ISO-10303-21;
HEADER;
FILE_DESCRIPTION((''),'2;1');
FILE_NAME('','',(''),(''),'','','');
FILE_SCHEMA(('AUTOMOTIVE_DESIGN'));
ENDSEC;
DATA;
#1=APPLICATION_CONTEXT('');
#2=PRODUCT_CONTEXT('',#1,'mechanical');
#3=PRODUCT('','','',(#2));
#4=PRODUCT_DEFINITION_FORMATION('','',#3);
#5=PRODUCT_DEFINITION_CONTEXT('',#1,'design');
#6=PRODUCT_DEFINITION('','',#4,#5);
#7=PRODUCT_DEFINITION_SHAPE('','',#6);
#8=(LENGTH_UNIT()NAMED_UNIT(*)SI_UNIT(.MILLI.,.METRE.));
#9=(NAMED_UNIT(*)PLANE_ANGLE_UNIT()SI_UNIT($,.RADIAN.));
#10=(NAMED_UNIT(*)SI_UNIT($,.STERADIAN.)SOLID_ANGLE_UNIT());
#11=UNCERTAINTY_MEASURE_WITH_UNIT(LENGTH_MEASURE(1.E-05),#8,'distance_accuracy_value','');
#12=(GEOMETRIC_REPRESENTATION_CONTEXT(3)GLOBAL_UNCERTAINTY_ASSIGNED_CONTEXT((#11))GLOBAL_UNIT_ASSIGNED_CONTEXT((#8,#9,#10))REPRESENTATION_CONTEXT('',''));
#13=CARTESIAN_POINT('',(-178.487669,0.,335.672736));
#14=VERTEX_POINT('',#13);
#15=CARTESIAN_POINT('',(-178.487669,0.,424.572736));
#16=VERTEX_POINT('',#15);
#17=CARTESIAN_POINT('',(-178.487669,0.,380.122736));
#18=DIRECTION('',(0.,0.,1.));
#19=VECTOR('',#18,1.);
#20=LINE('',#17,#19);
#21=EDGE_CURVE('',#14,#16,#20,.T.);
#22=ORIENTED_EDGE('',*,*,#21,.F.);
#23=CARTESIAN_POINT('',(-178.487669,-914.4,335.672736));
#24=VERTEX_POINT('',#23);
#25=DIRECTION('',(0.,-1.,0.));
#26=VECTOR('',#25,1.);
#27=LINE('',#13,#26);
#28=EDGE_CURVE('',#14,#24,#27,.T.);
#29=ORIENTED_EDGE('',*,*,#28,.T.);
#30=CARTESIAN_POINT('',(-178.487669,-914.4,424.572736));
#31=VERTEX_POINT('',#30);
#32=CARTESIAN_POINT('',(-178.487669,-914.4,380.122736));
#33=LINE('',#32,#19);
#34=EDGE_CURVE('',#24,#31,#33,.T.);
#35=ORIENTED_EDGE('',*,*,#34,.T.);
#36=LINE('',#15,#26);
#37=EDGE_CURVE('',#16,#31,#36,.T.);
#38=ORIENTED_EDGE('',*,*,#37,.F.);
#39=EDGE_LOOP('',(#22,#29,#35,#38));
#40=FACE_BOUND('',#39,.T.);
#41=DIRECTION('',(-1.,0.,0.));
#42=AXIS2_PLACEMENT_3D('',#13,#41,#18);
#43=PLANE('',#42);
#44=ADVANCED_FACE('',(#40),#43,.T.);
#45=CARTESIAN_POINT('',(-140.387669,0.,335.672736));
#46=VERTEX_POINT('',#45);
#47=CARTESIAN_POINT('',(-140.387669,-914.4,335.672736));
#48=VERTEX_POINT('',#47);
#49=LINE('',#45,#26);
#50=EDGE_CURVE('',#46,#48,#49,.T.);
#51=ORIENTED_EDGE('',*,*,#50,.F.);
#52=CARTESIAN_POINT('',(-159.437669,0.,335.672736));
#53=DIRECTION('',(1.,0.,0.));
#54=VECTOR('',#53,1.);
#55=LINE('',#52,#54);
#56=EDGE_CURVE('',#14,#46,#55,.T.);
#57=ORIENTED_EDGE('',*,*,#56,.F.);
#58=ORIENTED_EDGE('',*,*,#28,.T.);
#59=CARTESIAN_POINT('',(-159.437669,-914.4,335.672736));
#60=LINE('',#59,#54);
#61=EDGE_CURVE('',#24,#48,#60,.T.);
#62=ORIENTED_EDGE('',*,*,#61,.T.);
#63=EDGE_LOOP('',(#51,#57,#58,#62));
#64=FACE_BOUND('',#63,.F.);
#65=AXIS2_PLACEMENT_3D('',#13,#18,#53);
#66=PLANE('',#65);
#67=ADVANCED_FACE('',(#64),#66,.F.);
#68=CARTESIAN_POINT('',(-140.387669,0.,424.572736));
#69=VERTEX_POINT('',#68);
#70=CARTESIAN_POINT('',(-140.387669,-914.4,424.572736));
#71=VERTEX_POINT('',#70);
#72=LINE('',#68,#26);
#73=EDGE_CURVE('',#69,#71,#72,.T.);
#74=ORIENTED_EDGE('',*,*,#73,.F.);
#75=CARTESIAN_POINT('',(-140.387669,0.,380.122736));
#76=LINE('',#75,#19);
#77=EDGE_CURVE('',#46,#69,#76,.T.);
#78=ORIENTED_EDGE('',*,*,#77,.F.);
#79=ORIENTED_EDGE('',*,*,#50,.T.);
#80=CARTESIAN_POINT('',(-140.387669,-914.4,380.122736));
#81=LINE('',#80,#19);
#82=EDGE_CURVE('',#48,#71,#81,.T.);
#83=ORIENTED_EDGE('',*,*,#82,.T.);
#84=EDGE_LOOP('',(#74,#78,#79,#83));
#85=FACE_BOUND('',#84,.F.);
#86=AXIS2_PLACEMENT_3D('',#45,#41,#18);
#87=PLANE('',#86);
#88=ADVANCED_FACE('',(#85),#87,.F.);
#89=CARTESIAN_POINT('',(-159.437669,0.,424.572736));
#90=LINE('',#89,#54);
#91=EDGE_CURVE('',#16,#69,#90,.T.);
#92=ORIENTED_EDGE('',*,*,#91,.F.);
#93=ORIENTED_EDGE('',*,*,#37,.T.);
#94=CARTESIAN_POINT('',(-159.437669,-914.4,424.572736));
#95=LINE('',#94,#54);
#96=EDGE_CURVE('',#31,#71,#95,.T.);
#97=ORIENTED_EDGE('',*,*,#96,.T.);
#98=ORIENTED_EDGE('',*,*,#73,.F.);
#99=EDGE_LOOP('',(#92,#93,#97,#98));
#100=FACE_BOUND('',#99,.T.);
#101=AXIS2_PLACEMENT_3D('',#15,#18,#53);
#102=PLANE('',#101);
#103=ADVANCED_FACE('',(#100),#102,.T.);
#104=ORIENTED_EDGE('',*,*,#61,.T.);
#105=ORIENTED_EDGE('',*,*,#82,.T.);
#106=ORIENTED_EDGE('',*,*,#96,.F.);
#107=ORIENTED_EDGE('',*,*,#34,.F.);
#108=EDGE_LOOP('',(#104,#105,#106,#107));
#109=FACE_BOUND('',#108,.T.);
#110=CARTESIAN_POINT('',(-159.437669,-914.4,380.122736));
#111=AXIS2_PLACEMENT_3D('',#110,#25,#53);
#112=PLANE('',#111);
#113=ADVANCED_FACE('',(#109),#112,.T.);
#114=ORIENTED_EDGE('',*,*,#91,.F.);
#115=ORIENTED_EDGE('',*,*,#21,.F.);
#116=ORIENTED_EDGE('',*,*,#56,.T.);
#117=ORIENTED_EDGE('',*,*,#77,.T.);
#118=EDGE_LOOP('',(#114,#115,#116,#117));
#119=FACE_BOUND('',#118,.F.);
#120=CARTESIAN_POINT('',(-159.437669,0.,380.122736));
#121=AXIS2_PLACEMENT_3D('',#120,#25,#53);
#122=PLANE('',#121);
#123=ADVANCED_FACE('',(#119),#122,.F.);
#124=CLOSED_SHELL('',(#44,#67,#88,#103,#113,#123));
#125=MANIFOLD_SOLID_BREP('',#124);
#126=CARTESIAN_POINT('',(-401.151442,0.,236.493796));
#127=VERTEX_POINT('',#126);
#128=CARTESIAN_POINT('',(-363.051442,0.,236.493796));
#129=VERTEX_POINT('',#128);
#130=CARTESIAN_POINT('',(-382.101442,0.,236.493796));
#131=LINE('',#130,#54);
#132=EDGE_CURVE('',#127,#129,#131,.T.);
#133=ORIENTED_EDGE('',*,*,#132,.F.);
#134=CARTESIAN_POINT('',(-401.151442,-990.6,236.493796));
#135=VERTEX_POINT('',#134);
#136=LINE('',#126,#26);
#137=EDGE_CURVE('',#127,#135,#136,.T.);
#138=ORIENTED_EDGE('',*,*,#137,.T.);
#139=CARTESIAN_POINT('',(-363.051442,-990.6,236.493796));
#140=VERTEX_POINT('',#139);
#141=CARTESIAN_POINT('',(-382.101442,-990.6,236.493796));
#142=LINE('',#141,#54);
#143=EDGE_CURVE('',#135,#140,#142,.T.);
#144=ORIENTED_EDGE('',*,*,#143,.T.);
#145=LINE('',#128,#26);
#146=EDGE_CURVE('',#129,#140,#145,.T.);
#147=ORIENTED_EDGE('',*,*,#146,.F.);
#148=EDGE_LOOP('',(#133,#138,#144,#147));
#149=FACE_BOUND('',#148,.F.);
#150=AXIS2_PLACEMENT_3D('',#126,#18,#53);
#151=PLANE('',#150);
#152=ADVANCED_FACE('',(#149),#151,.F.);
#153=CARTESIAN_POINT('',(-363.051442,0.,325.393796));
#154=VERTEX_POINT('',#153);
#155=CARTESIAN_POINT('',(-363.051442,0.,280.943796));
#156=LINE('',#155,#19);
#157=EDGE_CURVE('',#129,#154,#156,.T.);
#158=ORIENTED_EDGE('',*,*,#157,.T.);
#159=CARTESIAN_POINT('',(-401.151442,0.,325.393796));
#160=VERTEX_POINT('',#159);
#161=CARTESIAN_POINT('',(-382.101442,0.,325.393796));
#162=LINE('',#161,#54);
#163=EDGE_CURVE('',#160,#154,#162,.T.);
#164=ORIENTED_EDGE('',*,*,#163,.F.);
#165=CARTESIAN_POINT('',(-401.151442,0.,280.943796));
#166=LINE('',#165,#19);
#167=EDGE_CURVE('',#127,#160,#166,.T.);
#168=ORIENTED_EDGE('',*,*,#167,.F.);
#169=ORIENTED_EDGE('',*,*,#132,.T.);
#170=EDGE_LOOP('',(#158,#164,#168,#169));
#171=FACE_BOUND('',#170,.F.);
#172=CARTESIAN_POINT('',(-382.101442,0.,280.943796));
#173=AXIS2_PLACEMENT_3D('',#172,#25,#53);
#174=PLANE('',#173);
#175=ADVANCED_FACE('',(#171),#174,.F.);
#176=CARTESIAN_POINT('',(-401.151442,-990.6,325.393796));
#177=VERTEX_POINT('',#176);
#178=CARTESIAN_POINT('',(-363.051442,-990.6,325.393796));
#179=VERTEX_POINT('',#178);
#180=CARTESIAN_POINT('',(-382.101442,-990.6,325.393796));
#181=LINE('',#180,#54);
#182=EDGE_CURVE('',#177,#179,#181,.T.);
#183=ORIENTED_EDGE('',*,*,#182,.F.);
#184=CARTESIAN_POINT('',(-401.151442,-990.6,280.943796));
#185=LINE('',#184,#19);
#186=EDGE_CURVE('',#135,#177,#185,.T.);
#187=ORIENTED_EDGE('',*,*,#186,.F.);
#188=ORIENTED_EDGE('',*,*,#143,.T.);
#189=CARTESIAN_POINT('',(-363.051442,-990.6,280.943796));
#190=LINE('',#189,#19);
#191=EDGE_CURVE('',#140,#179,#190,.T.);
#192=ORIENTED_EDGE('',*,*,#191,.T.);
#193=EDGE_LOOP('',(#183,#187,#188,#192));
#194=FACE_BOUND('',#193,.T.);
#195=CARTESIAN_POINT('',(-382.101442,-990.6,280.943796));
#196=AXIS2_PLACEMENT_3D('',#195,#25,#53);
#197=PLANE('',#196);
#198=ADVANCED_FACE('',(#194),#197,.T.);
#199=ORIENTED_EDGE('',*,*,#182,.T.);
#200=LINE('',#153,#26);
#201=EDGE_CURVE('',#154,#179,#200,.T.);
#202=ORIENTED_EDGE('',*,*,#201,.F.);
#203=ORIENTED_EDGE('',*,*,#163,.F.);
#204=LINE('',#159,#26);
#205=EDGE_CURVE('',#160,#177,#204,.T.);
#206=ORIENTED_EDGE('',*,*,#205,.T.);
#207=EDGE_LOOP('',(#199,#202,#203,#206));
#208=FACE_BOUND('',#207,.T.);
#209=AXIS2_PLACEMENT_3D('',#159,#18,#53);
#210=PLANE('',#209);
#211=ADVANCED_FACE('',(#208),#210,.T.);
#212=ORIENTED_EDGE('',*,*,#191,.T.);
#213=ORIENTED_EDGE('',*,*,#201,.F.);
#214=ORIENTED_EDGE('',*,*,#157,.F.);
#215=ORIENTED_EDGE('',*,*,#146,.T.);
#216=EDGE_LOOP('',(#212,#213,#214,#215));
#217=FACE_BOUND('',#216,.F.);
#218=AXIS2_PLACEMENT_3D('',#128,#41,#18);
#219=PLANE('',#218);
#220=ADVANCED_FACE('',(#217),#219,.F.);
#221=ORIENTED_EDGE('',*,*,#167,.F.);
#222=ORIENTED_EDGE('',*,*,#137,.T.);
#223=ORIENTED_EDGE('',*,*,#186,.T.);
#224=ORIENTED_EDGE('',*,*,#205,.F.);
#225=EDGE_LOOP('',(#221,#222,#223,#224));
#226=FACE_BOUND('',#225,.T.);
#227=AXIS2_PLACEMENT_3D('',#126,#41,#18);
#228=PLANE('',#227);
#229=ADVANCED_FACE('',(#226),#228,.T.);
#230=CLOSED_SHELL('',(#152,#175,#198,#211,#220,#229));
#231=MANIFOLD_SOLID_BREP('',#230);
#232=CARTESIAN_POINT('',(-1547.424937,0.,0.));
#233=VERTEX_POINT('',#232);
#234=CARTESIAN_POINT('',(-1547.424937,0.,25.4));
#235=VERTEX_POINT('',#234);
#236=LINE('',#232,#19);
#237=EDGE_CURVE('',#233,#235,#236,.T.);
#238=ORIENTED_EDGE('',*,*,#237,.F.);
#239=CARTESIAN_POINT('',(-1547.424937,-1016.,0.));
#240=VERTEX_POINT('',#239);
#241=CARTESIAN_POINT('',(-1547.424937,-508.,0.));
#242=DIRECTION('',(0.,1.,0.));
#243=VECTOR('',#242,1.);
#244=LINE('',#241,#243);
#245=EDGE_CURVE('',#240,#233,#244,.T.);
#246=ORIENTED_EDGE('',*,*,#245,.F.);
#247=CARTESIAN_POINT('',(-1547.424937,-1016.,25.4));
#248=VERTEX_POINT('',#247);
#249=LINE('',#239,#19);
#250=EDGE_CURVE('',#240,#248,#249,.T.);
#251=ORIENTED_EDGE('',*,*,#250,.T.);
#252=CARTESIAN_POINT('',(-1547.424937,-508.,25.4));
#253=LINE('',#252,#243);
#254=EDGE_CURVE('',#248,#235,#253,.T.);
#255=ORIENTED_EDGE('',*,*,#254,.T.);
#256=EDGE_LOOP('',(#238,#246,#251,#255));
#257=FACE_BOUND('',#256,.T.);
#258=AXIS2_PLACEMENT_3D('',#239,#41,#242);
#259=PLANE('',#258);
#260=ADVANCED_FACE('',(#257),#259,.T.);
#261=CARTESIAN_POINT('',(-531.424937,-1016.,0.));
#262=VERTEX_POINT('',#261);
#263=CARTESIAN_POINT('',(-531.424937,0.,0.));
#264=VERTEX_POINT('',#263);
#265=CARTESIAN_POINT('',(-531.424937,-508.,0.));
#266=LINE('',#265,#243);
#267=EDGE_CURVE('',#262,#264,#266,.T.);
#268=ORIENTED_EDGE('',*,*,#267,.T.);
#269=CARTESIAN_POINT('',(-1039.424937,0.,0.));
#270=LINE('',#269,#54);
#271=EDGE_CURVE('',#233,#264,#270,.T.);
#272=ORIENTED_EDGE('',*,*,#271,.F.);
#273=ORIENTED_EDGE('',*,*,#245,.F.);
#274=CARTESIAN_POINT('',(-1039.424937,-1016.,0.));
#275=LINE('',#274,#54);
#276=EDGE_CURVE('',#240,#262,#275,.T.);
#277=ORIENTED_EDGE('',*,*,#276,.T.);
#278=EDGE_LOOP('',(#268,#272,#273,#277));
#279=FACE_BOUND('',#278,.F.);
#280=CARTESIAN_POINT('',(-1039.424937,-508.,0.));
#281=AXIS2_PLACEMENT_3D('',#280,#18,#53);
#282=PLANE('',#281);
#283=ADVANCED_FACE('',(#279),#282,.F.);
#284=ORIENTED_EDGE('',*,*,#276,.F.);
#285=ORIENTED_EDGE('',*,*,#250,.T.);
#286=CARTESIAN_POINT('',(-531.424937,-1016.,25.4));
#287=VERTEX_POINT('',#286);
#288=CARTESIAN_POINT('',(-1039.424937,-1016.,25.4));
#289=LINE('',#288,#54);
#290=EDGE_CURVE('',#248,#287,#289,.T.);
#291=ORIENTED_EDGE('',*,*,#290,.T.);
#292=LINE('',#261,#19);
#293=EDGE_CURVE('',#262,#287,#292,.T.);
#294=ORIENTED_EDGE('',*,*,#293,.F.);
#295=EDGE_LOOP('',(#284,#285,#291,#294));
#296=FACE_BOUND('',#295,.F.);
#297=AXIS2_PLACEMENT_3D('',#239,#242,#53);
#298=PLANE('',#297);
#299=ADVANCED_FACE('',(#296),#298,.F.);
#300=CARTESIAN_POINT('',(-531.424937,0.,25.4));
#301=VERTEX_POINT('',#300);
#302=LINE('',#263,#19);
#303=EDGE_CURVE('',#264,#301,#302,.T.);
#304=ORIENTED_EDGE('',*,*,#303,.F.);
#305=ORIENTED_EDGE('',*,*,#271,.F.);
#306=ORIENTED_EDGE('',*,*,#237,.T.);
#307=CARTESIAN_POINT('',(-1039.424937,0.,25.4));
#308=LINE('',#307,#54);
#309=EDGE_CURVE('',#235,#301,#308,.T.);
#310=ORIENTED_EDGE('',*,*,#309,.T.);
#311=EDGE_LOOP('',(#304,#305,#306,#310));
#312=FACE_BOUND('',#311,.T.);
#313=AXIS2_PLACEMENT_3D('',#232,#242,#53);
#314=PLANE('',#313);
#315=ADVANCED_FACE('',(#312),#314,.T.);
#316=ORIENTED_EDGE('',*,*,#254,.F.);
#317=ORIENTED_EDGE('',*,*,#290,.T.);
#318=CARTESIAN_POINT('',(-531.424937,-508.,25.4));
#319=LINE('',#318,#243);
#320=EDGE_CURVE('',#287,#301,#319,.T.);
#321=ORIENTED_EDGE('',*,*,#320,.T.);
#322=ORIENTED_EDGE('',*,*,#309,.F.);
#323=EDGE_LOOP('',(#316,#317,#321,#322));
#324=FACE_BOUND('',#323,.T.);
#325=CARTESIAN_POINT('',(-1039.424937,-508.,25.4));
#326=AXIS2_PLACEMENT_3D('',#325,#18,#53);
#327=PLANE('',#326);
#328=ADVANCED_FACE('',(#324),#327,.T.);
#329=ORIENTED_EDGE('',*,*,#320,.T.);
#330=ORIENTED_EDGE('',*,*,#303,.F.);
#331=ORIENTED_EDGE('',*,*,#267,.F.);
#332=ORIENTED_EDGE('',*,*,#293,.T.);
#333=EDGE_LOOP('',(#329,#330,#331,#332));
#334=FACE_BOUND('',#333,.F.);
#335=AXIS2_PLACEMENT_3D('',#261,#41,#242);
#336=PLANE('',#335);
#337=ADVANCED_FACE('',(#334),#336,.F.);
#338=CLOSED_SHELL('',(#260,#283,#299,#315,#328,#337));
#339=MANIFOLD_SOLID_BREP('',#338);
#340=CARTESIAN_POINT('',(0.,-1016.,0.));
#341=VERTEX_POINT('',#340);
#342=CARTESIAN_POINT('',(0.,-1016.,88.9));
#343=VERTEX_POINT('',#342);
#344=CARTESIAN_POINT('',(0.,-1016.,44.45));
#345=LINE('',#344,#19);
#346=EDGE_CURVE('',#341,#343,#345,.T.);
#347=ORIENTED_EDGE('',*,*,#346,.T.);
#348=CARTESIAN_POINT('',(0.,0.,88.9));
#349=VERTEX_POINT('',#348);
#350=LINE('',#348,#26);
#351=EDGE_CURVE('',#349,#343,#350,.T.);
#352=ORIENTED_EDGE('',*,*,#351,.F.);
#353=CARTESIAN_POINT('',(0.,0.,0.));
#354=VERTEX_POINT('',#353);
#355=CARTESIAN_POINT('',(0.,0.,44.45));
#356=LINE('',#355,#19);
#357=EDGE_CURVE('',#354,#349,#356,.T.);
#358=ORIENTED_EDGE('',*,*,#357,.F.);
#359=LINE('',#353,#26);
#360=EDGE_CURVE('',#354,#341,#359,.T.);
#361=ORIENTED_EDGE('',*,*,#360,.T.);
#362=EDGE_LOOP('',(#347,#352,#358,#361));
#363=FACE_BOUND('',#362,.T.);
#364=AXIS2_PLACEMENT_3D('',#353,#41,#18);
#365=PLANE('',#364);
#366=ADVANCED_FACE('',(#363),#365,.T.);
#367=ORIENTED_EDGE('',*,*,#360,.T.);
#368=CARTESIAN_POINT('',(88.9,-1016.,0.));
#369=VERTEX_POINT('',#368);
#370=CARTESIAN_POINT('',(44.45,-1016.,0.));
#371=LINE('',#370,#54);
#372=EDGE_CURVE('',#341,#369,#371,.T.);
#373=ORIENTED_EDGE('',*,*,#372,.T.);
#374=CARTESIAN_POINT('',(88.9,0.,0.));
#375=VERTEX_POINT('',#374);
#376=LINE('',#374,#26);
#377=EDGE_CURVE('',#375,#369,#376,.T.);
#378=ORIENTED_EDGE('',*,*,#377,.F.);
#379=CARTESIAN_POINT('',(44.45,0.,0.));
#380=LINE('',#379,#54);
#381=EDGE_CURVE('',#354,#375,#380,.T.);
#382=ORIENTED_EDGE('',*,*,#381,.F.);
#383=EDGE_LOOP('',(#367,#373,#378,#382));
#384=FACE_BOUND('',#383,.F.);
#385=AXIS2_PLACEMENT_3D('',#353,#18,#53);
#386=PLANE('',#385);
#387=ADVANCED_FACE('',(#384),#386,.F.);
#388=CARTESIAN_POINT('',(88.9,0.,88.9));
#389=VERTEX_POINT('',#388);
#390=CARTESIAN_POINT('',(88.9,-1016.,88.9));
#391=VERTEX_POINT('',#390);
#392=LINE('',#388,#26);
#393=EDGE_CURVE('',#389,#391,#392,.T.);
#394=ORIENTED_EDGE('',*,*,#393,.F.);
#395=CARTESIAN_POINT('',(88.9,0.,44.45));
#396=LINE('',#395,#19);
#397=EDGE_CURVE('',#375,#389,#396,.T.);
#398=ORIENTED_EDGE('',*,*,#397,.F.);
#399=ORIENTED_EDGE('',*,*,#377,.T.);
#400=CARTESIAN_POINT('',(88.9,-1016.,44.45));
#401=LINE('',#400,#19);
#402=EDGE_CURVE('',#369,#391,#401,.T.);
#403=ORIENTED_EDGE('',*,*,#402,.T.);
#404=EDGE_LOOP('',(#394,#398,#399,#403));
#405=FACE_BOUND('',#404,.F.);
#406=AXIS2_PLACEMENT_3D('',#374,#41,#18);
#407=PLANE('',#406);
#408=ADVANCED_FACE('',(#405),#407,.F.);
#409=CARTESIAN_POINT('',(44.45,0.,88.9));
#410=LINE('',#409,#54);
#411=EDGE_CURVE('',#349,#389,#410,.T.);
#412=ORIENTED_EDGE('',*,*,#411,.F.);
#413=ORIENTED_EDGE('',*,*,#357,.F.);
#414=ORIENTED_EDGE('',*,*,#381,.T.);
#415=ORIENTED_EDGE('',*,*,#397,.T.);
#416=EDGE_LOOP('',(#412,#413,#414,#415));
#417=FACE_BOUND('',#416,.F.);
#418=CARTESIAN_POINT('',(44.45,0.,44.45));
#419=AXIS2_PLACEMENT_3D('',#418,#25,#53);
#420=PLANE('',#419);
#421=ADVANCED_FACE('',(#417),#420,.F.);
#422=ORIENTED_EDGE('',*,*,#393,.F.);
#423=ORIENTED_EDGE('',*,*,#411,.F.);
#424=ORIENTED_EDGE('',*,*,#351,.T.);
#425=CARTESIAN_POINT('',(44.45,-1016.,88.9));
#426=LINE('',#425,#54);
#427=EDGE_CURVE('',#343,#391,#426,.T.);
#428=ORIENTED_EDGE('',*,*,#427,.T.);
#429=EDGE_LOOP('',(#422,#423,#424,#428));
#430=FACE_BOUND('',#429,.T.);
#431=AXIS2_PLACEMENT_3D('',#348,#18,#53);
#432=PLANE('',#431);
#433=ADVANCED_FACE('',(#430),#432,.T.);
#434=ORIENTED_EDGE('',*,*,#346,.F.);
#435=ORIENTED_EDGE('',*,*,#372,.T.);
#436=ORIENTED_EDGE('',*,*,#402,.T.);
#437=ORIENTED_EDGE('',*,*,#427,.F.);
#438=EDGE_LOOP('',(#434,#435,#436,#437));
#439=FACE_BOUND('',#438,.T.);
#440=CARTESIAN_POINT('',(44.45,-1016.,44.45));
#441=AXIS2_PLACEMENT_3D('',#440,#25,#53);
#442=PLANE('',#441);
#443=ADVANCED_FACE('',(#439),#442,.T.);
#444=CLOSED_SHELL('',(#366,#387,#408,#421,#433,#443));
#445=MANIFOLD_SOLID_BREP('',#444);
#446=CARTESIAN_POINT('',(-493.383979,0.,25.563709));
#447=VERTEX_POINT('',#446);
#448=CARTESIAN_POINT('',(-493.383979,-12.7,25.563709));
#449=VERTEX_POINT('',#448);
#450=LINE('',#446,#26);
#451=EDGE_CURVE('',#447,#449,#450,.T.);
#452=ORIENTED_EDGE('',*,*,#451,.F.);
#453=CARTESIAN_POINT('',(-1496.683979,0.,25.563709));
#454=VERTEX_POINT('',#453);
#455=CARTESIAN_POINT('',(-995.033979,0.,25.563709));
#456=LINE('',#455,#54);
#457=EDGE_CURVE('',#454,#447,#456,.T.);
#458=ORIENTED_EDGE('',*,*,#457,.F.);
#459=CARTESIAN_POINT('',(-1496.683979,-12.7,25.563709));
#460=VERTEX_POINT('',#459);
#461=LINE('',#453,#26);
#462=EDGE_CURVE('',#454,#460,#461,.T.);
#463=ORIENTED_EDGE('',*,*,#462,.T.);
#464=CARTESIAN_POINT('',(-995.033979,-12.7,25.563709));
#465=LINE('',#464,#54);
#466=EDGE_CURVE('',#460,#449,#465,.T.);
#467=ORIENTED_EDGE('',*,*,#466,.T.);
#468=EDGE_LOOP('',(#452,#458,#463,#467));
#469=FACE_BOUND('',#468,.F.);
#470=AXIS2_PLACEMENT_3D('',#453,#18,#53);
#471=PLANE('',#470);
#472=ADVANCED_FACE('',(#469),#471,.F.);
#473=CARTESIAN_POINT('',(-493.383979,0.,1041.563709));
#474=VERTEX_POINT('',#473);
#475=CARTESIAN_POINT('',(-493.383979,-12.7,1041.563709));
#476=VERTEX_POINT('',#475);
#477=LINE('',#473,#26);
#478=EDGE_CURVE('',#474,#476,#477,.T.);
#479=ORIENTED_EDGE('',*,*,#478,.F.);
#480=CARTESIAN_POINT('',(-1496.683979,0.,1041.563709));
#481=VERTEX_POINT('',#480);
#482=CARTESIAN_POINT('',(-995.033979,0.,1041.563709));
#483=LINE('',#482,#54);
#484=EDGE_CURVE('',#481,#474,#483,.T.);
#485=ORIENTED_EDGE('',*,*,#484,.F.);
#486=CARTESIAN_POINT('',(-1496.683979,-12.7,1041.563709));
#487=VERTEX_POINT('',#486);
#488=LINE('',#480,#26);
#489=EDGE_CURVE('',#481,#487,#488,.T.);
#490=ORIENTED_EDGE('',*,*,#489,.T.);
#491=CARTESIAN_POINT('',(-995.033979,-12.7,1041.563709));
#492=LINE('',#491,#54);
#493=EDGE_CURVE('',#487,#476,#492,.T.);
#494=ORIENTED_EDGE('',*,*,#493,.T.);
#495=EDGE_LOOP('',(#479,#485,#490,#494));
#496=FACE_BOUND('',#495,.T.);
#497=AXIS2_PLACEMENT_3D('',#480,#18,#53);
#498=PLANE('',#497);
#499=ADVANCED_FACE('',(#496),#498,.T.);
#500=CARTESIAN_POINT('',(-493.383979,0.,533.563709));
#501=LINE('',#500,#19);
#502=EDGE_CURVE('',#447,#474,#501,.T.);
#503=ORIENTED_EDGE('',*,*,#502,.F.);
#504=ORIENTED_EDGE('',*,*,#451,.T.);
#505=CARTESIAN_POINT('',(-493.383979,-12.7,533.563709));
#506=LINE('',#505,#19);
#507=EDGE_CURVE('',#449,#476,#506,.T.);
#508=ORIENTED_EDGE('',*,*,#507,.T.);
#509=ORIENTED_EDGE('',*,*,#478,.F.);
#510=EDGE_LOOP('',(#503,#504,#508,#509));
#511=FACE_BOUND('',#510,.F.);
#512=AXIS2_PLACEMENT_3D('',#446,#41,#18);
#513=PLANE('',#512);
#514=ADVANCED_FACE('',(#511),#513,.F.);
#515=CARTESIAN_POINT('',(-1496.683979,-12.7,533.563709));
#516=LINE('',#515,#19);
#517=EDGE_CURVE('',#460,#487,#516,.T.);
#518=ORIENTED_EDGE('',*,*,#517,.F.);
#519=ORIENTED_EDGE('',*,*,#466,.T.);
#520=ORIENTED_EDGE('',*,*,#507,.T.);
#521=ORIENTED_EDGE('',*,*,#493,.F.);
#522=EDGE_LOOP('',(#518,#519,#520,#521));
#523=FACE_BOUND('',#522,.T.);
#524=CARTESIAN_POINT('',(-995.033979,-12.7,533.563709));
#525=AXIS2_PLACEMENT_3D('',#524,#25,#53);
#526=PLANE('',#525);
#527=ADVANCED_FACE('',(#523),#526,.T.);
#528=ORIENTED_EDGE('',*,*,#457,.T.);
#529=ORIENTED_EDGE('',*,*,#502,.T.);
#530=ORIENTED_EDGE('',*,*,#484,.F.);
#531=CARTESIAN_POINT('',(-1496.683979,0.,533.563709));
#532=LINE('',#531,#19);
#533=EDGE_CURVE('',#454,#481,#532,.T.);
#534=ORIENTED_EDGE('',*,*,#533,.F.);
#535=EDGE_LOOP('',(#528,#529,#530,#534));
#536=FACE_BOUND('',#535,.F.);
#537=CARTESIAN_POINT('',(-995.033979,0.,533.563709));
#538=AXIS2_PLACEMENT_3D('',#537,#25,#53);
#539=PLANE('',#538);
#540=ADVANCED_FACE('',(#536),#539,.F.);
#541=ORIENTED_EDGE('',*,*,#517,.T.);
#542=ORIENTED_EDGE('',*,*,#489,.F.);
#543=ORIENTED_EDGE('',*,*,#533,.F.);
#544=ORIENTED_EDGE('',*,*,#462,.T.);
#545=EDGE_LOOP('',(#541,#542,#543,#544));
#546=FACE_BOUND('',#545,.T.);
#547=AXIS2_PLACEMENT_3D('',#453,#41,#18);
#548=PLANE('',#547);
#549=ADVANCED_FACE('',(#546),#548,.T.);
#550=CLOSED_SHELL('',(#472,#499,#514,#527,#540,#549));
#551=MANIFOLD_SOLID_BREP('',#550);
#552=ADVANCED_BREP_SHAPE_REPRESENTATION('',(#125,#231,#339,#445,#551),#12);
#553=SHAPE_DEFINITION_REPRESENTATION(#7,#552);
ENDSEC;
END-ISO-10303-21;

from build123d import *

# Parameters (mm, degrees)
F0_W     = 88.9
F0_H     = 88.9
F1_DEPTH = 1016
F2_W     = 1016
F2_H     = 1016
F3_DEPTH = 25.4
F4_W     = 38.1
F4_H     = 88.9
F5_DEPTH = 990.6
F6_W     = 1003.3
F6_H     = 1016
F7_DEPTH = 12.7
F8_W     = 38.1
F8_H     = 88.9
F9_DEPTH = 914.4


with BuildPart() as f1:
    # F0 (on Front) → F1 (new body)
    with BuildSketch(Plane.XZ):
        with Locations((44.45, 44.45)):
            Rectangle(F0_W, F0_H)
    extrude(amount=F1_DEPTH)


with BuildPart() as f3:
    # F2 (on Top) → F3 (new body)
    with BuildSketch(Plane.XY):
        with Locations((-1039.424937, -508)):
            Rectangle(F2_W, F2_H)
    extrude(amount=F3_DEPTH)


with BuildPart() as f5:
    # F4 (on Front) → F5 (new body)
    with BuildSketch(Plane.XZ):
        with Locations((-382.101442, 280.943796)):
            Rectangle(F4_W, F4_H)
    extrude(amount=F5_DEPTH)


with BuildPart() as f7:
    # F6 (on Front) → F7 (new body)
    with BuildSketch(Plane.XZ):
        with Locations((-995.033979, 533.563709)):
            Rectangle(F6_W, F6_H)
    extrude(amount=F7_DEPTH)


with BuildPart() as f9:
    # F8 (on Front) → F9 (new body)
    with BuildSketch(Plane.XZ):
        with Locations((-159.437669, 380.122736)):
            Rectangle(F8_W, F8_H)
    extrude(amount=F9_DEPTH)


solid = Compound([f1.part, f3.part, f5.part, f7.part, f9.part])
